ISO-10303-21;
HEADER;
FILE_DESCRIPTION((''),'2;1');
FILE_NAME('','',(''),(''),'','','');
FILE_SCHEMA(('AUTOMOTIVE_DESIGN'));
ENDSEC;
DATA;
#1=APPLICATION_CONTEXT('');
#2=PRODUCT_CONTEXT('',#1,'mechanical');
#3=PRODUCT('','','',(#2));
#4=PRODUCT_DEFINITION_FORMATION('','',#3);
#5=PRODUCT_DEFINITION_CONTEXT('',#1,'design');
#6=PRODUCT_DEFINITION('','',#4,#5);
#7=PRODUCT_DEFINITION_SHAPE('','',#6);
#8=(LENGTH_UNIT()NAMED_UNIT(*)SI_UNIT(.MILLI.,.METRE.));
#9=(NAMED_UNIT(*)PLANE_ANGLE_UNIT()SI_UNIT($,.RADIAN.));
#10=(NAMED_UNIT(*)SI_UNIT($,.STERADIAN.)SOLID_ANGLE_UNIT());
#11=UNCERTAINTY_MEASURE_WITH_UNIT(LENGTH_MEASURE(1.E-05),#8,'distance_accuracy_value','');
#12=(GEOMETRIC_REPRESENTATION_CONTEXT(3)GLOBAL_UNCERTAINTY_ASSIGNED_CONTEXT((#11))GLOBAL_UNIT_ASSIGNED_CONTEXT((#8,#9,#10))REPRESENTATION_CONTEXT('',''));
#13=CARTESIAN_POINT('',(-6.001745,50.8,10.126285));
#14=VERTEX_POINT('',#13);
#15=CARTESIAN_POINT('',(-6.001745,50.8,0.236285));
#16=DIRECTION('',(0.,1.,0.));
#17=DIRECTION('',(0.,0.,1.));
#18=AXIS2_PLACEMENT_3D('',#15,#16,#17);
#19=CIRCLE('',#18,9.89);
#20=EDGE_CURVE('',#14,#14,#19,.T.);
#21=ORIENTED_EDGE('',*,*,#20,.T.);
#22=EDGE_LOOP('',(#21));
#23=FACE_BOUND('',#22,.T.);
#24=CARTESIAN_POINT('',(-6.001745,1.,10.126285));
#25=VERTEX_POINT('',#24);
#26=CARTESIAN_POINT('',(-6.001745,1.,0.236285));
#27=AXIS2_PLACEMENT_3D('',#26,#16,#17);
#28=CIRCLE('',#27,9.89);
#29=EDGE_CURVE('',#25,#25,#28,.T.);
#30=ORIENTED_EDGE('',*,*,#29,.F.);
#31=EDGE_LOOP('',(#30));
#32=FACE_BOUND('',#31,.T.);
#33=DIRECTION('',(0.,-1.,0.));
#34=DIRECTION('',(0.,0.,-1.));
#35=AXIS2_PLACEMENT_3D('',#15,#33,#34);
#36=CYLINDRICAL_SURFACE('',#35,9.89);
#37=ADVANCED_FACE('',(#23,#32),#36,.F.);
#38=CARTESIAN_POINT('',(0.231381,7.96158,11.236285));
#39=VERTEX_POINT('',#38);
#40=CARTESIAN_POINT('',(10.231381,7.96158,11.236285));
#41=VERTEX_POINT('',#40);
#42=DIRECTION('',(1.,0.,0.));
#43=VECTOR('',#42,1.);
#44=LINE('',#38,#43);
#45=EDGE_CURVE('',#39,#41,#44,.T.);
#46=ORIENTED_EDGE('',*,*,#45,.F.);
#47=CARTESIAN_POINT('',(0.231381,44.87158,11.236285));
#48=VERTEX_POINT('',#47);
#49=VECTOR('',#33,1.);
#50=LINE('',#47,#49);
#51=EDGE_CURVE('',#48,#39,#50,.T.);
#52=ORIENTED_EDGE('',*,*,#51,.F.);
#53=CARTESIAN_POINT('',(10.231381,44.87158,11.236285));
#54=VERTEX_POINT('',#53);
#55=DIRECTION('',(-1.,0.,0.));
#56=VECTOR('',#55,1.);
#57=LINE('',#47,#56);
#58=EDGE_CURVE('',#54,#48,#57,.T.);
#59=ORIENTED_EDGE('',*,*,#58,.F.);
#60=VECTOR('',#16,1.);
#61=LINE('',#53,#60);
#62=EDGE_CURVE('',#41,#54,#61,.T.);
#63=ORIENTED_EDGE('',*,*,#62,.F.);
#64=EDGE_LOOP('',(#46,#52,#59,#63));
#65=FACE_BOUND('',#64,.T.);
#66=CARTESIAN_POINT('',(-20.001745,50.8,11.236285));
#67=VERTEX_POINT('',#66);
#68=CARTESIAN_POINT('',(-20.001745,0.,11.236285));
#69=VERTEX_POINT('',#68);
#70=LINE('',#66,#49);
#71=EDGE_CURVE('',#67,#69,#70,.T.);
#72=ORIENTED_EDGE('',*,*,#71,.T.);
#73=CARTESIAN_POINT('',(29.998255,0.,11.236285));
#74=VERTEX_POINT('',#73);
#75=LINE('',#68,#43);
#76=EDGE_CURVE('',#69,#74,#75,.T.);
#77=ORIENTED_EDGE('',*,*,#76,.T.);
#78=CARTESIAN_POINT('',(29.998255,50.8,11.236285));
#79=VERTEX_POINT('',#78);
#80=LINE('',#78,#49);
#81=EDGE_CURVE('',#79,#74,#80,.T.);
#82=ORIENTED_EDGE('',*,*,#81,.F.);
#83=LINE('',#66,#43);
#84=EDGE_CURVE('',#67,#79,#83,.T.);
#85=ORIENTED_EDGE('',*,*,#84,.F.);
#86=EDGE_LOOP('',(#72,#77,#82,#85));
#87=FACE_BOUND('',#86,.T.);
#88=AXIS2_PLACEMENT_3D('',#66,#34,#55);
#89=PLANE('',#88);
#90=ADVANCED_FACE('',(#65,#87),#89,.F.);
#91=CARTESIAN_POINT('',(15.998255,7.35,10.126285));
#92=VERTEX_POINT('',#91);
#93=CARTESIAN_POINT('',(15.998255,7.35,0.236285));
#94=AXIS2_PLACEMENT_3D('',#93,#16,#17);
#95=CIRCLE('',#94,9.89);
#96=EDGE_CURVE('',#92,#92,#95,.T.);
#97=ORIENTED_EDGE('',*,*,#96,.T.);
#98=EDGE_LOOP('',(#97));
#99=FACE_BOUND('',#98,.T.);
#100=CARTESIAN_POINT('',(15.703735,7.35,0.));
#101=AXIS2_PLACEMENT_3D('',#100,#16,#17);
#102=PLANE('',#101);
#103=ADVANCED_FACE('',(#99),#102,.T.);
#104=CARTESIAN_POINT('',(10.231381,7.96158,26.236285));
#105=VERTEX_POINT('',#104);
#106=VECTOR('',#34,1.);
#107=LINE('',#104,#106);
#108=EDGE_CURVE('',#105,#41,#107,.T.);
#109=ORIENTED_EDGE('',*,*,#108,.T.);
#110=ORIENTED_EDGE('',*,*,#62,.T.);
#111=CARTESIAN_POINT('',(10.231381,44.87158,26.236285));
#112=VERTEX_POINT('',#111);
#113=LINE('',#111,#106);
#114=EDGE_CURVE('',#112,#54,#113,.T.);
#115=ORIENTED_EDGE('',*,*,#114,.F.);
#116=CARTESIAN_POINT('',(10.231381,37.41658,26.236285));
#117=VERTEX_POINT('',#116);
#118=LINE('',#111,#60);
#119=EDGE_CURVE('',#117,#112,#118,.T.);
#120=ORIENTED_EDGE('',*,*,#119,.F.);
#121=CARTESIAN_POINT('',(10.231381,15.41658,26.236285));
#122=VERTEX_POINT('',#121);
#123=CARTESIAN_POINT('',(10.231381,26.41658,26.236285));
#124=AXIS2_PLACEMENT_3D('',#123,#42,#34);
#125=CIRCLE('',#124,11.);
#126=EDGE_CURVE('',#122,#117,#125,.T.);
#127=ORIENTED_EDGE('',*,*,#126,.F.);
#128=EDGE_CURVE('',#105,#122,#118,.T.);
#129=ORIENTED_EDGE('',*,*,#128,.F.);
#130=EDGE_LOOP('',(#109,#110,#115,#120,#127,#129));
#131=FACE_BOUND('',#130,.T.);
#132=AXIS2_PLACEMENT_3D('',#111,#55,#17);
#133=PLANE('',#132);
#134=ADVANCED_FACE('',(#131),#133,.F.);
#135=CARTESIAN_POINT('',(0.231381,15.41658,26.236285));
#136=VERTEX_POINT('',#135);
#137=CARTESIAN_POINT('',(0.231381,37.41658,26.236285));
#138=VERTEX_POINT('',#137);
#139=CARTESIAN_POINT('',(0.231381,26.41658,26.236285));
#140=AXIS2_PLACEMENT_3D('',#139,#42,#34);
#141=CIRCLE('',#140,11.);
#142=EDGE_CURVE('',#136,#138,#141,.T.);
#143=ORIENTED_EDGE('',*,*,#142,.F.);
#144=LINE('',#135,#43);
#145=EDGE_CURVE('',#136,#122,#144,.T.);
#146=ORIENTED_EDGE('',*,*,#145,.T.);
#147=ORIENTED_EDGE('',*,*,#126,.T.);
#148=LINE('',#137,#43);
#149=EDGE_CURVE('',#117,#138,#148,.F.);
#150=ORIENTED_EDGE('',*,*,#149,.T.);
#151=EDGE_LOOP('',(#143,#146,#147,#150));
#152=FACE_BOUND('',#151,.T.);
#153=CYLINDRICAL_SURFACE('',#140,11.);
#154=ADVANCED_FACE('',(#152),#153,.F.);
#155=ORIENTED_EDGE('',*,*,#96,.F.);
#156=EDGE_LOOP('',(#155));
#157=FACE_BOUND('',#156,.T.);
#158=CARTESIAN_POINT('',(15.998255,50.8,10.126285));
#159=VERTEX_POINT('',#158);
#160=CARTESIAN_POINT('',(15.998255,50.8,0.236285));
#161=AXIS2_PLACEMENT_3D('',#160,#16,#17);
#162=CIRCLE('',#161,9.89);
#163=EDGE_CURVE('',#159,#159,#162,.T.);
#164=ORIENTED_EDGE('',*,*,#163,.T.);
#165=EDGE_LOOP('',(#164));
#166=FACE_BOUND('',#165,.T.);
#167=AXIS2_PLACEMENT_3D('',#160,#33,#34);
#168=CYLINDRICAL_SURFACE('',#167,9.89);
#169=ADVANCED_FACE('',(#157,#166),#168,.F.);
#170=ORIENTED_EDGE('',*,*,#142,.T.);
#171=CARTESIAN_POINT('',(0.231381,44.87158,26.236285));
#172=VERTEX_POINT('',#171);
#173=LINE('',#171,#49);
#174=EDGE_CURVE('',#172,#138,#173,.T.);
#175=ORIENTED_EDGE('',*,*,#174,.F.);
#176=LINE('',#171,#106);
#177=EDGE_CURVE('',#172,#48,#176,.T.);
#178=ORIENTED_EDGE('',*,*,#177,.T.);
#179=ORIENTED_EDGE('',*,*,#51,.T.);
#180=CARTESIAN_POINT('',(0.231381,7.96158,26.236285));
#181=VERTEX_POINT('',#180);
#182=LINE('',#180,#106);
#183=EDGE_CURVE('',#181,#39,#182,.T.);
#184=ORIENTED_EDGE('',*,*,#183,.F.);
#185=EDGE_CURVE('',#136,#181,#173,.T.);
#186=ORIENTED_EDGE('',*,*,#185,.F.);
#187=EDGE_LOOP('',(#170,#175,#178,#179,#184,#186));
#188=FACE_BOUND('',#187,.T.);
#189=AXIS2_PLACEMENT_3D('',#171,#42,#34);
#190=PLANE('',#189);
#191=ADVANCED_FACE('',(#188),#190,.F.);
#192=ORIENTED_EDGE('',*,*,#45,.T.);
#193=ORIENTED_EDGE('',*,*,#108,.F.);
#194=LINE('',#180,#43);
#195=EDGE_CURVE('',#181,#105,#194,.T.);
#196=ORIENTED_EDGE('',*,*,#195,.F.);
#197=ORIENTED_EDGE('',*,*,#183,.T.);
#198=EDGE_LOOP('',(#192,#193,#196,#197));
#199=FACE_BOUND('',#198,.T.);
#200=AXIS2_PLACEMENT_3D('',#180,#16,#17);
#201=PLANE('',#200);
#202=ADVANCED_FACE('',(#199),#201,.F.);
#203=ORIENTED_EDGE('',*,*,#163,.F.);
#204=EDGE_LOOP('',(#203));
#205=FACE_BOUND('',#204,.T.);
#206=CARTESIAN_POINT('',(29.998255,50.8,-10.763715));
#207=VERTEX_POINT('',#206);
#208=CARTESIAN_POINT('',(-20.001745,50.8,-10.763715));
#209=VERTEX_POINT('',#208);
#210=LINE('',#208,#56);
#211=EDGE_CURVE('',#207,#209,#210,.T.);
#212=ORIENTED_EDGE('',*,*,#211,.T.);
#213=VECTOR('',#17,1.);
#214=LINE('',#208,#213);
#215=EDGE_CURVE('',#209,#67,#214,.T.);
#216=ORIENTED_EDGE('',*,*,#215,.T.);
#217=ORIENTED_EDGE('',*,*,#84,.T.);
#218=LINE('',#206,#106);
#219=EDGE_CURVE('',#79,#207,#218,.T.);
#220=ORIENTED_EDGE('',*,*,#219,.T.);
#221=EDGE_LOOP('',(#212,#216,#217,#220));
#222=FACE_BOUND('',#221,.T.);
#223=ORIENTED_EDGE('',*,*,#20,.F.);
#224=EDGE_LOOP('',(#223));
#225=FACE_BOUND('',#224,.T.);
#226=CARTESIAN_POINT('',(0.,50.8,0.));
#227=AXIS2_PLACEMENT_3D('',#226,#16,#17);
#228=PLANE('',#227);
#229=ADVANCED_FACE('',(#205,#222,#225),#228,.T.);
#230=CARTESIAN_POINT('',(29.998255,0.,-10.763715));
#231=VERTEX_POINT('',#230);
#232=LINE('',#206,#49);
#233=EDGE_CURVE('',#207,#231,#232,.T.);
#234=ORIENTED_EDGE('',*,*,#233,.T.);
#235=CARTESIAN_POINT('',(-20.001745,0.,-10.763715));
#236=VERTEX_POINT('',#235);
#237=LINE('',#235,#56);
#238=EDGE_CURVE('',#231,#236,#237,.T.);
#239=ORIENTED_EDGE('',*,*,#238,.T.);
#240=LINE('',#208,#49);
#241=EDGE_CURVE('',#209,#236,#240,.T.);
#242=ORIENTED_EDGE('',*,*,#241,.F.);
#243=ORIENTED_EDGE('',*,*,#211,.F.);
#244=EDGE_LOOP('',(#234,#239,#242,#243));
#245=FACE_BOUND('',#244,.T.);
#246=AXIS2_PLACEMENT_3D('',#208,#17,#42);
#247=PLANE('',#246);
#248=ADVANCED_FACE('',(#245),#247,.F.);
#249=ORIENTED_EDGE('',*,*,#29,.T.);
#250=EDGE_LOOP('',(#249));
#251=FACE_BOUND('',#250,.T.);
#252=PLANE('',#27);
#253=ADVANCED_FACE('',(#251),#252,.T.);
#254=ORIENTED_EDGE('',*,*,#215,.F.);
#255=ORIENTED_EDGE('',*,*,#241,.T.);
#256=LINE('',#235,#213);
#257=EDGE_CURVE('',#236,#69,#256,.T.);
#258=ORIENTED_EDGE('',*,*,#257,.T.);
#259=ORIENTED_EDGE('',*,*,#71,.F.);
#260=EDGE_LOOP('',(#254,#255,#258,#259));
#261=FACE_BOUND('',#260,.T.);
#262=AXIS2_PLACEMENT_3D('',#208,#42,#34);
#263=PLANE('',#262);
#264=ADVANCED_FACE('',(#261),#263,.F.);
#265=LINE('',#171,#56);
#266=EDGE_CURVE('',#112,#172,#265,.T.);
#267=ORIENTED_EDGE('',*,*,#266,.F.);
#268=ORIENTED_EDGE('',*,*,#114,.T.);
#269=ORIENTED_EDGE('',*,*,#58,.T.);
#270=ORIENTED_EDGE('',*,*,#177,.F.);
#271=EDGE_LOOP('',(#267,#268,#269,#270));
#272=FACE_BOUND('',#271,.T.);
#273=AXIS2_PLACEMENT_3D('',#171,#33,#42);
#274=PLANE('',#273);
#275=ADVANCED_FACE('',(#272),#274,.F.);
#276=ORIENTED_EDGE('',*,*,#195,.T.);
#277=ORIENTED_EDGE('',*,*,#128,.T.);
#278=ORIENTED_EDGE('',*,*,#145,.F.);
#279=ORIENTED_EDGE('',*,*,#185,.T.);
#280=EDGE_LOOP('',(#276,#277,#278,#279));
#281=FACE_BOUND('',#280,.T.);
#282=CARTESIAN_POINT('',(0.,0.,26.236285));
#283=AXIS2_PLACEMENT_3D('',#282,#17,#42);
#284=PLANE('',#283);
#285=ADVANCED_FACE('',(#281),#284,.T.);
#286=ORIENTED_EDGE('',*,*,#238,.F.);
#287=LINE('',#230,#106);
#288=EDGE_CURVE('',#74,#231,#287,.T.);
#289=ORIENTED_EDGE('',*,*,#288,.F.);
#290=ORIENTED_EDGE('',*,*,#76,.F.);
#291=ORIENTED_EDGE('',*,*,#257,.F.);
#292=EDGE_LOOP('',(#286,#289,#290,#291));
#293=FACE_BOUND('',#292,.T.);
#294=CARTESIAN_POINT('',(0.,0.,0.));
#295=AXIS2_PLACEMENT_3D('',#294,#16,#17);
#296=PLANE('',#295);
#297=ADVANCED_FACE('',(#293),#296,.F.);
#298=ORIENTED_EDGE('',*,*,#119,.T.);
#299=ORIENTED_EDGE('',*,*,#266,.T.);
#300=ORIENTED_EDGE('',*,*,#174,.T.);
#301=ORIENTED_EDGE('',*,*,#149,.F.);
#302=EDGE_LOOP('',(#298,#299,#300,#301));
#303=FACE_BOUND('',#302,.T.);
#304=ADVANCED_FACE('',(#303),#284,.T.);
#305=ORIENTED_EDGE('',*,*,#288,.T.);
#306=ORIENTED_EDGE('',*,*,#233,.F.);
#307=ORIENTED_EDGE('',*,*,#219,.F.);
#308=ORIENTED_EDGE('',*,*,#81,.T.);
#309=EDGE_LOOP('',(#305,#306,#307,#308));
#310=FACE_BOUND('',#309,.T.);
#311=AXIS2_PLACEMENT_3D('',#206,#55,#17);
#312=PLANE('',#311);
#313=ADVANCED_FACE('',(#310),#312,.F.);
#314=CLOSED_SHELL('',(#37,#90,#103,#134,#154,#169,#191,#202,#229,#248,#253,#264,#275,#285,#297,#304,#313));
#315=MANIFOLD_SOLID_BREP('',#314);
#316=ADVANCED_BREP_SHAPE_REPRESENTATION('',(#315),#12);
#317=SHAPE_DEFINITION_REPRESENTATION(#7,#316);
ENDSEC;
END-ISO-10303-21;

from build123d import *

# Parameters (mm, degrees)
SKETCH1_W           = 50
SKETCH1_H           = 22
SKETCH1_R           = 9.89
BOSS_EXTRUDE1_DEPTH = 50.8
SKETCH2_R           = 10.5
BOSS_EXTRUDE2_DEPTH = 1
SKETCH3_R           = 10.5
BOSS_EXTRUDE3_DEPTH = 6.35
SKETCH5_W           = 10
SKETCH5_H           = 36.91
BOSS_EXTRUDE4_DEPTH = 15
SKETCH7_R           = 11
CUT_EXTRUDE1_DEPTH  = 10


with BuildPart() as part:
    # Sketch1 → Boss-Extrude1 (new body)
    with BuildSketch(Plane(origin=(0, 0, 0), x_dir=(1, 0, 0), z_dir=(0, 1, 0))):
        with Locations((4.998255194, -0.2362853)):
            Rectangle(SKETCH1_W, SKETCH1_H)
        with Locations((-6.001744806, -0.2362853)):
            Circle(SKETCH1_R, mode=Mode.SUBTRACT)
        with Locations((15.998255194, -0.2362853)):
            Circle(SKETCH1_R, mode=Mode.SUBTRACT)
    extrude(amount=BOSS_EXTRUDE1_DEPTH)

    # Sketch2 → Boss-Extrude2 (add)
    with BuildSketch(Plane(origin=(0, 0, 0), x_dir=(1, 0, 0), z_dir=(0, 1, 0))):
        with Locations((15.998255194, -0.2362853)):
            Circle(SKETCH2_R)
        with Locations((-6.001744806, -0.2362853)):
            Circle(SKETCH2_R)
    extrude(amount=BOSS_EXTRUDE2_DEPTH)

    # Sketch3 → Boss-Extrude3 (add)
    with BuildSketch(Plane(origin=(0, 1, 0), x_dir=(1, 0, 0), z_dir=(0, 1, 0))):
        with Locations((15.703735374, 0)):
            Circle(SKETCH3_R)
    extrude(amount=BOSS_EXTRUDE3_DEPTH)

    # Sketch5 → Boss-Extrude4 (add)
    with BuildSketch(Plane.XY.offset(11.2362853)):
        with Locations((5.231381217, 26.416579834)):
            Rectangle(SKETCH5_W, SKETCH5_H)
    extrude(amount=BOSS_EXTRUDE4_DEPTH)

    # Sketch7 → Cut-Extrude1 (cut)
    with BuildSketch(Plane(origin=(10.231381217, 0, 0), x_dir=(0, 0, -1), z_dir=(1, 0, 0))):
        with Locations((-26.2362853, 26.416579834)):
            Circle(SKETCH7_R)
    extrude(amount=-CUT_EXTRUDE1_DEPTH, mode=Mode.SUBTRACT)


solid = part.part
